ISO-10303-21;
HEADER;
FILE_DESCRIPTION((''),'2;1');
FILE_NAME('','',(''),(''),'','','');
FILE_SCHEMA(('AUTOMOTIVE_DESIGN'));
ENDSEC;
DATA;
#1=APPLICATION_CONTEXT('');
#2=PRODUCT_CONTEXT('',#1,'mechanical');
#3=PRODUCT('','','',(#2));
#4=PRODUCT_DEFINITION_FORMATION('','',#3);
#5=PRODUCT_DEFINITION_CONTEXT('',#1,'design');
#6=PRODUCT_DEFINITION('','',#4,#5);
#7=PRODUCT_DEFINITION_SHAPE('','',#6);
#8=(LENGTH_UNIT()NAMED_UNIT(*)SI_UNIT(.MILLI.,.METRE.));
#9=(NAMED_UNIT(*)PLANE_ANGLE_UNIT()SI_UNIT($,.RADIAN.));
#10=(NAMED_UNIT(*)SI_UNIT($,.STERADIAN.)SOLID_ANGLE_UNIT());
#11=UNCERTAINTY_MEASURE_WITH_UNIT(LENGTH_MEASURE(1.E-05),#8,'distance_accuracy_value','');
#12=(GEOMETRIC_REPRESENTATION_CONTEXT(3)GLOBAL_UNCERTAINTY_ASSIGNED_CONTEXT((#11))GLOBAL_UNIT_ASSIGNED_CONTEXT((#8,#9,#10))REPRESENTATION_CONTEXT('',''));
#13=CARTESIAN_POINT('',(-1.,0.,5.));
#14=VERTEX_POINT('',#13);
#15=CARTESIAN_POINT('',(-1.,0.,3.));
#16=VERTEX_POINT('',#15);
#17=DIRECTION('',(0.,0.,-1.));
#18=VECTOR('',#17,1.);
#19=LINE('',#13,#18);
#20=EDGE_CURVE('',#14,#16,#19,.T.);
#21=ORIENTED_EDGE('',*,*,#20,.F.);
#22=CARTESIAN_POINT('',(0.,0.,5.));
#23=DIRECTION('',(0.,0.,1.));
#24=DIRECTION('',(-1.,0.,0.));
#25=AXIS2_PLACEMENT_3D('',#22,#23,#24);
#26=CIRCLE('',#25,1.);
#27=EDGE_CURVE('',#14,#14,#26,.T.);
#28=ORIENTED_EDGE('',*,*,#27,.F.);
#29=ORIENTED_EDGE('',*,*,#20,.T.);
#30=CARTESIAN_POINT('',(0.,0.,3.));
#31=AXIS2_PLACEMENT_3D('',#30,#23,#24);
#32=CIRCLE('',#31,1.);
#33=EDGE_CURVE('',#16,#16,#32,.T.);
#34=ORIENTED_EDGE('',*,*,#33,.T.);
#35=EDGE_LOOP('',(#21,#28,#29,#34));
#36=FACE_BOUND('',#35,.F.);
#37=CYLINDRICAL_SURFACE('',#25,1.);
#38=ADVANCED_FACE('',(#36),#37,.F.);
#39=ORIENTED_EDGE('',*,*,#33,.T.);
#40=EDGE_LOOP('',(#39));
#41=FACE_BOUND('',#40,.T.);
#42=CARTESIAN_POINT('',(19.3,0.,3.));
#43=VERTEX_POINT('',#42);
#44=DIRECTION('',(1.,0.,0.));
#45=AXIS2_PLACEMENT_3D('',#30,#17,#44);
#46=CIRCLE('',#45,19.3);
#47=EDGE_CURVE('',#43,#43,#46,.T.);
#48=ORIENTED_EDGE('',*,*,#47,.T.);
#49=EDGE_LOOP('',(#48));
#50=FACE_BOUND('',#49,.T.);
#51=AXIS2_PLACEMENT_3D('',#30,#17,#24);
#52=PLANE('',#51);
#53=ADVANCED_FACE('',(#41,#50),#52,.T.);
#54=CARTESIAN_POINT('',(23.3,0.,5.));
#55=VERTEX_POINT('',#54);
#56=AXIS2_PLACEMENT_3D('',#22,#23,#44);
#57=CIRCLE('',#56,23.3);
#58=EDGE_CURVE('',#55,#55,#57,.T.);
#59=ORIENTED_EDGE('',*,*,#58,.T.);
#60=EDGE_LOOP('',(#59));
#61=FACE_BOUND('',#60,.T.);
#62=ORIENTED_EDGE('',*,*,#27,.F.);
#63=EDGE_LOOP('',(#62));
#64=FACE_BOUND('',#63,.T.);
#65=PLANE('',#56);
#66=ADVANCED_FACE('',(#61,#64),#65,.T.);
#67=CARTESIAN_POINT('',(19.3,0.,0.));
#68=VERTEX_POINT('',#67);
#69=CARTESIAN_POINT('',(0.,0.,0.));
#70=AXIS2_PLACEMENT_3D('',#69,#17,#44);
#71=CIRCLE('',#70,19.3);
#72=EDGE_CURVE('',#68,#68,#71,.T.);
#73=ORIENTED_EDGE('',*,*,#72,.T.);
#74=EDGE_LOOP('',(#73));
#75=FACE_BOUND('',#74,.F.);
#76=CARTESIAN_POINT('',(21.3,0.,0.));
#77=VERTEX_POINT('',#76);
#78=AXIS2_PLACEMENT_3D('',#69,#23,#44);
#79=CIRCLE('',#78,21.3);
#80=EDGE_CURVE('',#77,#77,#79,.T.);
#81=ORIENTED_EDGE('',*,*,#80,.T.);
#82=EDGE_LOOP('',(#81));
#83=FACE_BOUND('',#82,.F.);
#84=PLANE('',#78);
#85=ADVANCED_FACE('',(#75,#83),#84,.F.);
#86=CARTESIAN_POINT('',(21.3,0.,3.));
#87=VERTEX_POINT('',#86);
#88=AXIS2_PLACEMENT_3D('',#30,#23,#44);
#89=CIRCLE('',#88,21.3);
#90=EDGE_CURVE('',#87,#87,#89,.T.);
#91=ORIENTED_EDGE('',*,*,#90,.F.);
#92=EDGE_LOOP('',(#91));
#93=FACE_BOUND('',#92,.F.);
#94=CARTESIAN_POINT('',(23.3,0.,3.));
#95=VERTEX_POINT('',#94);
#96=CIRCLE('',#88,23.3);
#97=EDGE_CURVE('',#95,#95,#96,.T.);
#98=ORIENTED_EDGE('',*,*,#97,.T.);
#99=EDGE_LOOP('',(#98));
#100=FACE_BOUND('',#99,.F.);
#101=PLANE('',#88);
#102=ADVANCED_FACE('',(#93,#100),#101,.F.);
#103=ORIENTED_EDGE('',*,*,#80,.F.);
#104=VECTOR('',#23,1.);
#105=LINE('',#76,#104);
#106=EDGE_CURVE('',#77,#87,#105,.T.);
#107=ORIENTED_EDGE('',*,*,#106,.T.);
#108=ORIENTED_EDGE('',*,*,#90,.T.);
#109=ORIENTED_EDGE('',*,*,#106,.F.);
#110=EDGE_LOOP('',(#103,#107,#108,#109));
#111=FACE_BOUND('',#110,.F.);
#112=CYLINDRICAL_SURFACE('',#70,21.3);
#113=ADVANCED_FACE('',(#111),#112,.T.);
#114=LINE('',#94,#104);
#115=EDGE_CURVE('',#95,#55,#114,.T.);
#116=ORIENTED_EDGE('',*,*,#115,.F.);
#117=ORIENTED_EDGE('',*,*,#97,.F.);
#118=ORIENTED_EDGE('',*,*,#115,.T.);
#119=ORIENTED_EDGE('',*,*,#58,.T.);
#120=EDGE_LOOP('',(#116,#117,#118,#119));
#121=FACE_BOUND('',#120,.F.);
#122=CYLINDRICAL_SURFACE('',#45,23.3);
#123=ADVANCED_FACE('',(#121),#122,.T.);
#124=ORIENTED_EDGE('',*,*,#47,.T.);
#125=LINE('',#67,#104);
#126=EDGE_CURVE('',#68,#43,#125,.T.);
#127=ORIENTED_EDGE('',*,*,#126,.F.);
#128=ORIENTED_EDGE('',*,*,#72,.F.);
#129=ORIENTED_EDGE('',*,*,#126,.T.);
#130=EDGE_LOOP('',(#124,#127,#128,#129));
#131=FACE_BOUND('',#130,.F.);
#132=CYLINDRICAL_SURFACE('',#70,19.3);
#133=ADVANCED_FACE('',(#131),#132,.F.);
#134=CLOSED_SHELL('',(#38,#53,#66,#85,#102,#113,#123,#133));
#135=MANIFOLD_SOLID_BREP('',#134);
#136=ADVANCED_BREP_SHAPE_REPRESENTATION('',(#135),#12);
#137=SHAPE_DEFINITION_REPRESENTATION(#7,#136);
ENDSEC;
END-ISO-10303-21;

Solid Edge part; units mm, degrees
sketch "Sketch1" plane through (0, 0, 0) normal (0, 0, 1) x (1, 0, 0)
  circle A0 centre (0, 0) radius 21.3
extrude "Protrusion1" add sketch "Sketch1" along normal blind 3
sketch "Sketch2" plane through (0, 0, 3) normal (0, 0, 1) x (1, 0, 0)
  circle A0 centre (0, 0) radius 23.3
extrude "ExtrudedProtrusion_2" add sketch "Sketch2" along normal blind 2
sketch "Sketch3" plane through (0, 0, 0) normal (0, 0, -1) x (1, 0, 0)
  circle A0 centre (0, 0) radius 19.3
extrude "ExtrudedCutout_1" cut sketch "Sketch3" against normal blind 3
sketch "Sketch4" plane through (0, 0, 5) normal (0, 0, 1) x (-1, 0, 0)
  circle A0 centre (0, 0) radius 1
extrude "ExtrudedCutout_2" cut sketch "Sketch4" against normal blind 2
